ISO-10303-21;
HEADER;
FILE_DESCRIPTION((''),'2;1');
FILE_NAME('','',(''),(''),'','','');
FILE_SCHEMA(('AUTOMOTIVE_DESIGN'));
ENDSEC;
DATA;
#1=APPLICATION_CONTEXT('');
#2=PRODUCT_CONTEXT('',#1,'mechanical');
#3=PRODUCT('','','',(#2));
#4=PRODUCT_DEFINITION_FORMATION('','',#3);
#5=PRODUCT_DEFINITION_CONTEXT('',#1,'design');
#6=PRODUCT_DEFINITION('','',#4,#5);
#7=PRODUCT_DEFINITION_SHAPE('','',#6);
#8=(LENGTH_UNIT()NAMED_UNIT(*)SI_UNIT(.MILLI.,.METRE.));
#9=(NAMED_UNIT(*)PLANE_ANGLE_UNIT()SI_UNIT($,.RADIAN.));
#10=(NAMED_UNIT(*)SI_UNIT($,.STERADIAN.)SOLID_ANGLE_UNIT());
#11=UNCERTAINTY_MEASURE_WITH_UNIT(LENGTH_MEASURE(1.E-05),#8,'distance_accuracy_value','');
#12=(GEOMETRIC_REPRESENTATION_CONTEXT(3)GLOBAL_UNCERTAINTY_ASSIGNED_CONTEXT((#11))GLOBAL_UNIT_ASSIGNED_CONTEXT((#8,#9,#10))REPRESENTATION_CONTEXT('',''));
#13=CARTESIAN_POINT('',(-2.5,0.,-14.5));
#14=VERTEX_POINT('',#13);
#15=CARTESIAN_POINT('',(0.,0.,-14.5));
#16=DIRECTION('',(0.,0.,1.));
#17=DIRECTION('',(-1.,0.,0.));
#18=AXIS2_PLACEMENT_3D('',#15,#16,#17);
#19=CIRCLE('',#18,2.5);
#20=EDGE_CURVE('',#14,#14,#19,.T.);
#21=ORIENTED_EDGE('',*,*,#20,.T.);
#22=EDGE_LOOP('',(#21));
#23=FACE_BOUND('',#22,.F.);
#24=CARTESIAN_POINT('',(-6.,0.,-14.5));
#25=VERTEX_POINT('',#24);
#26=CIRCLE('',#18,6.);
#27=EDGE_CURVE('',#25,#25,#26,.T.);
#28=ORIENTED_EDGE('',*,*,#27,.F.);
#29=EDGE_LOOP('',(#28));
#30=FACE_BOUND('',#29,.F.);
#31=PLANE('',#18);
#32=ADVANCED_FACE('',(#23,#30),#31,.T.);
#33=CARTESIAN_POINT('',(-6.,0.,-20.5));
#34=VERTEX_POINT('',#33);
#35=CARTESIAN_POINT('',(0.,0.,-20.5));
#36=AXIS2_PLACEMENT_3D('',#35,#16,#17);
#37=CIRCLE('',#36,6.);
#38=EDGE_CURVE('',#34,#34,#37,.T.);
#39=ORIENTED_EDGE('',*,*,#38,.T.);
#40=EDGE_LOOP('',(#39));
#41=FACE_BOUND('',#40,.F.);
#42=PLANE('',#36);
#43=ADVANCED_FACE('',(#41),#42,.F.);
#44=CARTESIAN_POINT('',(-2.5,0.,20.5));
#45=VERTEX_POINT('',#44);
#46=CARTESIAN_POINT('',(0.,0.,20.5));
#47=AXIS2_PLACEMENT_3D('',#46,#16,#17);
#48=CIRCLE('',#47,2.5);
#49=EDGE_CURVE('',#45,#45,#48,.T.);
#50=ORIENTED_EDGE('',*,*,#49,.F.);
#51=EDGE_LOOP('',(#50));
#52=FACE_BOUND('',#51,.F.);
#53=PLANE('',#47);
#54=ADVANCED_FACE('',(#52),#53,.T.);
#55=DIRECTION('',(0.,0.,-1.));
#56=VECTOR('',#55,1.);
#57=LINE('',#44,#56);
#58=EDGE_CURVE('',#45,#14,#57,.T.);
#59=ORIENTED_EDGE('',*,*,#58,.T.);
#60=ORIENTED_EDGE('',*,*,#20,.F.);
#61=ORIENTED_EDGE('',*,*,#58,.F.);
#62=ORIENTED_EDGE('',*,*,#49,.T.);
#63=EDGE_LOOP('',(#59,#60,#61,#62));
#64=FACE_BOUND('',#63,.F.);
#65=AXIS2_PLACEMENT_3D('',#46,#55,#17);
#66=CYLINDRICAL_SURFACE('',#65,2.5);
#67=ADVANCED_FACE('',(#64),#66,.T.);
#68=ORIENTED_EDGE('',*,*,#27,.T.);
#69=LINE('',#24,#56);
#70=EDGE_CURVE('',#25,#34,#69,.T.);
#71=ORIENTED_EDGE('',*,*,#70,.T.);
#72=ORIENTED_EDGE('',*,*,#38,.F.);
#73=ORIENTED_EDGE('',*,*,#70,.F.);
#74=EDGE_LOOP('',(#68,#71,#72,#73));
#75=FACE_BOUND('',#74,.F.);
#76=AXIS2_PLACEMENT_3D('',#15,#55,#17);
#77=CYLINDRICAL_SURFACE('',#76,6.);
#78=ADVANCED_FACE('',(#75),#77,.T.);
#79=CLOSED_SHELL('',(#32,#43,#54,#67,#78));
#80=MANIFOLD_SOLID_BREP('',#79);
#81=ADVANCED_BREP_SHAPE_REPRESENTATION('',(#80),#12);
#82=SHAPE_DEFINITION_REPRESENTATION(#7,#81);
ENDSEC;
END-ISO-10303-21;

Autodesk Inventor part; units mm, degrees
ref_plane "YZ Plane" through (0, 0, 0) normal (1, 0, 0) x (0, 1, 0)
ref_plane "XZ Plane" through (0, 0, 0) normal (0, 1, 0) x (-1, 0, 0)
ref_plane "XY Plane" through (0, 0, 0) normal (0, 0, 1) x (1, 0, 0)
sketch "Sketch1" plane through (0, 0, 0) normal (0, 1, 0) x (-1, 0, 0)
  line L0 (0, 20.5) -> (2.5, 20.5)
  line L1 (2.5, 20.5) -> (2.5, -14.5)
  line L2 (2.5, -14.5) -> (6, -14.5)
  line L3 (6, -14.5) -> (6, -20.5)
  line L4 (6, -20.5) -> (0, -20.5)
  line L5 (0, -20.5) -> (0, 20.5)
  point P0 (0, 0)
  point P1 (0, 0)
  dimension "d0" = 2.5
  dimension "d1" = 35
  dimension "d2" = 6
  dimension "d3" = 6
revolve "Revolution1" add sketch "Sketch1" angle 360 about axis through (0, 0, -20.5) along (0, 0, 1)
thread "Thread1" size "M5x0.8" class "6g" standard "ANSI Metric M Profile" full length
properties part number "M5x35mm"
